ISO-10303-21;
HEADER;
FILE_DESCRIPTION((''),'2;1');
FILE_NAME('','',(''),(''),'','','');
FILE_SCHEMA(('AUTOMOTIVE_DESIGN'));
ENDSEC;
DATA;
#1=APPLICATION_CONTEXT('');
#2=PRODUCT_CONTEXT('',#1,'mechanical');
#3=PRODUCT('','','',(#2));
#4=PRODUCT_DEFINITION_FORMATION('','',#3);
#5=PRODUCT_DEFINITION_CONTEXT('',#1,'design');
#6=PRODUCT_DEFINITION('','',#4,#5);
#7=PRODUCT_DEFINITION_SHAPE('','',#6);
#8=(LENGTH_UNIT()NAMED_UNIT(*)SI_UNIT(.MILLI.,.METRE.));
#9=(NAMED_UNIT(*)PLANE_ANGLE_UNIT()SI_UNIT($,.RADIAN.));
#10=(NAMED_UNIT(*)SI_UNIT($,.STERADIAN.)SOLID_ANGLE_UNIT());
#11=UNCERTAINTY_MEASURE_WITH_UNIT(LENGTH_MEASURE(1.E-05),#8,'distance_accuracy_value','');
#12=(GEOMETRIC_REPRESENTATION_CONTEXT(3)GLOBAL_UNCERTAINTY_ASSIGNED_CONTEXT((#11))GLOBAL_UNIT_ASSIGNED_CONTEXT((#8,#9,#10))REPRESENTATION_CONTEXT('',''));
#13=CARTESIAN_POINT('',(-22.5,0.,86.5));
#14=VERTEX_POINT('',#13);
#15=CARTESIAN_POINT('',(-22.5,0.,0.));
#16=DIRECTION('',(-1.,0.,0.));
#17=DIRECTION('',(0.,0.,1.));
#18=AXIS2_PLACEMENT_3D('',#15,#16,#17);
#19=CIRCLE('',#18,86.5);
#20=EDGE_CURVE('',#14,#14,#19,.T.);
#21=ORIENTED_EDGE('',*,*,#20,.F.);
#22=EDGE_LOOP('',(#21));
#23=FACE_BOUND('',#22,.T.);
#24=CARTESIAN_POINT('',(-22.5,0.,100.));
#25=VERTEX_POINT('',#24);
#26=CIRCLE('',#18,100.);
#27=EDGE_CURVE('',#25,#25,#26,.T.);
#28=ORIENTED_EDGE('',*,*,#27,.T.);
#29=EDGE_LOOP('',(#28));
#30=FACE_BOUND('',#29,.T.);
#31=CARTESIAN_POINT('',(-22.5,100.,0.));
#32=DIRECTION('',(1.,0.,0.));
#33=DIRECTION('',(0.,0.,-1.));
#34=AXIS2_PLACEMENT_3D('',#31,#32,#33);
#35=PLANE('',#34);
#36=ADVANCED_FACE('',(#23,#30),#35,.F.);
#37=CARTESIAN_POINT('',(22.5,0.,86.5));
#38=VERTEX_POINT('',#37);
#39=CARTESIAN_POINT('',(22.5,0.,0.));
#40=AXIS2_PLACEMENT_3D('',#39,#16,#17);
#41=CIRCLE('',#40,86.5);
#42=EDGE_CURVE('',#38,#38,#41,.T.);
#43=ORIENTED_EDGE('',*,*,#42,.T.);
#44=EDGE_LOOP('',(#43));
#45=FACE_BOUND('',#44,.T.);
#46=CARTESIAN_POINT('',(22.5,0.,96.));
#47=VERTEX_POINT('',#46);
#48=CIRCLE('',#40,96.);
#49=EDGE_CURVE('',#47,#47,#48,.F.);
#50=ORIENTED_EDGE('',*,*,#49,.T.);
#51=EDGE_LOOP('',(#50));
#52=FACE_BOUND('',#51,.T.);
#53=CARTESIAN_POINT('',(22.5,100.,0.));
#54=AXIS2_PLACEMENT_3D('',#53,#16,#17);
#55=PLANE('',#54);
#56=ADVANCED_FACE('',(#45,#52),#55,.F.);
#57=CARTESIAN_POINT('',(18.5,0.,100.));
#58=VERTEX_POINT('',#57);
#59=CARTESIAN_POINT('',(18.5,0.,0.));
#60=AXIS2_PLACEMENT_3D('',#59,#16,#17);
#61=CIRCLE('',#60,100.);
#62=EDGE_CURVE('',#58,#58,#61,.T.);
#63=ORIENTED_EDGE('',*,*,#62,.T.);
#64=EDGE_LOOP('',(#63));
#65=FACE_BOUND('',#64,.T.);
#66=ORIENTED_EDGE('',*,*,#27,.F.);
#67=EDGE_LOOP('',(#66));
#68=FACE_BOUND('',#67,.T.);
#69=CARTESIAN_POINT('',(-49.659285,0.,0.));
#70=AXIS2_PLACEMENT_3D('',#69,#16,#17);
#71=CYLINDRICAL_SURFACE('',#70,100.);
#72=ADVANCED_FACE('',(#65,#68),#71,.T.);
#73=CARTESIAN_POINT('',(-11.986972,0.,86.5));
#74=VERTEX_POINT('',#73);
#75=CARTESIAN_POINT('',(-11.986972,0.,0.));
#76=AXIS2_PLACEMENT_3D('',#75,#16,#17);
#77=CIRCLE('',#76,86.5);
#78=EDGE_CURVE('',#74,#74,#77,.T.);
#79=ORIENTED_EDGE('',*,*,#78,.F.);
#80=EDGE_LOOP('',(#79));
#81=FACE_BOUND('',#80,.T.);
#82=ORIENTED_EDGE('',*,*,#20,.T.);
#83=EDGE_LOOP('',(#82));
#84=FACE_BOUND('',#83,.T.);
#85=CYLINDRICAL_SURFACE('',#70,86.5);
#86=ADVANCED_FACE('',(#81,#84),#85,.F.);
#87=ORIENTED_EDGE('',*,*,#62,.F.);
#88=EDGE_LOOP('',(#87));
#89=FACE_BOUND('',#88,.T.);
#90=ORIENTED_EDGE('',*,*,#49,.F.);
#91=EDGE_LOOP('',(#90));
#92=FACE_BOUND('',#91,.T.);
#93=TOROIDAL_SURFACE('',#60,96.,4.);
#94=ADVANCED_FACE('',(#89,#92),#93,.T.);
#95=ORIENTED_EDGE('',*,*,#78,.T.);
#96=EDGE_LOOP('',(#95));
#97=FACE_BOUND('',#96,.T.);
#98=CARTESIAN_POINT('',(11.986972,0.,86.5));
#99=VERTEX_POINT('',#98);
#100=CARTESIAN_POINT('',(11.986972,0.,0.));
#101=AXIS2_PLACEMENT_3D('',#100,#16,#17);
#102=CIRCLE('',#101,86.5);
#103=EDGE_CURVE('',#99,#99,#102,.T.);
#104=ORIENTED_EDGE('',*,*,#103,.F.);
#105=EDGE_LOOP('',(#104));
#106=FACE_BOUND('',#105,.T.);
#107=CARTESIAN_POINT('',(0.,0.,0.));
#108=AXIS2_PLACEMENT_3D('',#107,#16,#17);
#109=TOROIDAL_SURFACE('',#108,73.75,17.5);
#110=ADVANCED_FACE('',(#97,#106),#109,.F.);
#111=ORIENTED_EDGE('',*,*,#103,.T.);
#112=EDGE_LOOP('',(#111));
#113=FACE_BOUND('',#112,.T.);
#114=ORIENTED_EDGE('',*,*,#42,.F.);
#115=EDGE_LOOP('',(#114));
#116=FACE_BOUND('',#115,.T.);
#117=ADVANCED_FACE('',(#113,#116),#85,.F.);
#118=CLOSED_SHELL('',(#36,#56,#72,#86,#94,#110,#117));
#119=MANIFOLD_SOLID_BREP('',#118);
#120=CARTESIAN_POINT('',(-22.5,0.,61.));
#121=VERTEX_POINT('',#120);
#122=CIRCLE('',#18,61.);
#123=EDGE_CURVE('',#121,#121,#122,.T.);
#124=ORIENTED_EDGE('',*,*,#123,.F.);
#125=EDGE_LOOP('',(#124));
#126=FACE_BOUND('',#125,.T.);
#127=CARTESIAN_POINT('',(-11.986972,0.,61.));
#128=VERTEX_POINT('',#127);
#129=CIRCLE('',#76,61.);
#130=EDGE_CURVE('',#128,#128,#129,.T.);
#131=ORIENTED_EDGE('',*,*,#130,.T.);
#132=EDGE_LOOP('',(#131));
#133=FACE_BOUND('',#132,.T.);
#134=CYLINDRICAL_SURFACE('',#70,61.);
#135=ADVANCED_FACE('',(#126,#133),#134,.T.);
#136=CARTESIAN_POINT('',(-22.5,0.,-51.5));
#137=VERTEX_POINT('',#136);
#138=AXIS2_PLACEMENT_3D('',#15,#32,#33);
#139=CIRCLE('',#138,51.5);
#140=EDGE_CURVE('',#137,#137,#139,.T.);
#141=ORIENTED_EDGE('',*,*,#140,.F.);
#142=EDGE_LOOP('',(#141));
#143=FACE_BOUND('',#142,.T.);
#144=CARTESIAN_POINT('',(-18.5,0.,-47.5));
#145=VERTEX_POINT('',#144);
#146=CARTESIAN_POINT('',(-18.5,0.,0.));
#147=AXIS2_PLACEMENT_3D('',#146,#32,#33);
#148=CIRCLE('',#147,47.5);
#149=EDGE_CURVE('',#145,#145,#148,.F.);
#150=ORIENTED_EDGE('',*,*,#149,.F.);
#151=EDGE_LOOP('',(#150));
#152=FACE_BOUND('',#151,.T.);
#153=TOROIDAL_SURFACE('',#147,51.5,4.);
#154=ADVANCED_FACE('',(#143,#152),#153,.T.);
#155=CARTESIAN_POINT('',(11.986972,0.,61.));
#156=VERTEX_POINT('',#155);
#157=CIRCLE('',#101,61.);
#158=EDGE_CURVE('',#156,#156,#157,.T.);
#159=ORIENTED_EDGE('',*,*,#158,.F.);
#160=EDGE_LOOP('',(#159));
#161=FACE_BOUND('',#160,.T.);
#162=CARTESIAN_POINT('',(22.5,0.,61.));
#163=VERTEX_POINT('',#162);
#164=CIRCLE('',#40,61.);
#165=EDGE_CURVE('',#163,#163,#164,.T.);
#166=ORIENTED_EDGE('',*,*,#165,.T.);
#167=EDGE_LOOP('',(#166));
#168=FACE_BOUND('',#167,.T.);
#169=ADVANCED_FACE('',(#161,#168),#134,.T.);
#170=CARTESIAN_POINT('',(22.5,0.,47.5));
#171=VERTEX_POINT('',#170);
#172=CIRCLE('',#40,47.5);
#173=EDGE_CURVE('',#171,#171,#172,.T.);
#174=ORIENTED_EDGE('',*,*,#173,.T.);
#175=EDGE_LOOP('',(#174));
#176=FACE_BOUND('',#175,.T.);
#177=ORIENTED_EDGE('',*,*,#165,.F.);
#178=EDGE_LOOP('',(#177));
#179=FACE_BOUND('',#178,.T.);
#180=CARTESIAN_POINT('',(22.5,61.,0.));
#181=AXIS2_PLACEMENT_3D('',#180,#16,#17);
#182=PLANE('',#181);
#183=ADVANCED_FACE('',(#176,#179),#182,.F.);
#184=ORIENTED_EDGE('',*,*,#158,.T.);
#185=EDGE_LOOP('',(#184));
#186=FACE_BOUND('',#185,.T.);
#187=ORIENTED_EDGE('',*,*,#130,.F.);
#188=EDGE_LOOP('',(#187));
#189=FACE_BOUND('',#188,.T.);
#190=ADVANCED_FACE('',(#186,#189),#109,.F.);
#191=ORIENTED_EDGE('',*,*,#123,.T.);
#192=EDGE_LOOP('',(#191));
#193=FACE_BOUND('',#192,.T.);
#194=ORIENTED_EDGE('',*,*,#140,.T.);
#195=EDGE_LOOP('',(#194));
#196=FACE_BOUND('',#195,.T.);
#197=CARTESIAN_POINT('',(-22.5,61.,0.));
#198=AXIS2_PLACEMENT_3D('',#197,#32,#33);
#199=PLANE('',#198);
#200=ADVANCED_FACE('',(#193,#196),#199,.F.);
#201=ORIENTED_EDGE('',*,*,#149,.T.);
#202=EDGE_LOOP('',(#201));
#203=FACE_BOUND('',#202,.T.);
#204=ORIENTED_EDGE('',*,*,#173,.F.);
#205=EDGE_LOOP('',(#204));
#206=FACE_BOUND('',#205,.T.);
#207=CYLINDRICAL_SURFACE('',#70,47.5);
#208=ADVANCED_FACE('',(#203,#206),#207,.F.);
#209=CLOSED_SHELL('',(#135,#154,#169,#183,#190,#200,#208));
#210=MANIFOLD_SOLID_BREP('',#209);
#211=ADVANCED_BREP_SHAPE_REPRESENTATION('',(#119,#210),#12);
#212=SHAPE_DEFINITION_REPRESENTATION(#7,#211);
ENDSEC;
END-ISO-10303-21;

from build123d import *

# Parameters (mm, degrees)
FILLET_1_R = 4
FILLET_2_R = 4


with BuildPart() as part:
    # 草图1 → 旋转1 (revolve)
    with BuildSketch(Plane.XY, mode=Mode.PRIVATE) as revolve_1_sk:
        with BuildLine():
            Line((11.986972095, 86.5), (22.5, 86.5))
            Line((22.5, 86.5), (22.5, 100))
            Line((22.5, 100), (-22.5, 100))
            Line((-22.5, 100), (-22.5, 86.5))
            Line((-22.5, 86.5), (-11.986972095, 86.5))
            ThreePointArc((-11.986972095, 86.5), (0, 91.25), (11.986972095, 86.5))
        make_face()
        with BuildLine():
            Line((-22.5, 61), (-11.986972095, 61))
            ThreePointArc((-11.986972095, 61), (0, 56.25), (11.986972095, 61))
            Line((11.986972095, 61), (22.5, 61))
            Line((22.5, 61), (22.5, 47.5))
            Line((22.5, 47.5), (-22.5, 47.5))
            Line((-22.5, 47.5), (-22.5, 61))
        make_face()
    revolve(revolve_1_sk.sketch.rotate(Axis((-49.659284853, 0, 0), (1, 0, 0)), 90), axis=Axis((-49.659284853, 0, 0), (1, 0, 0)))

    # 圆角1
    fillet_1_edges = [part.edges().sort_by_distance(p)[0] for p in [
        (22.5, 0, -100),
    ]]
    fillet(fillet_1_edges, radius=FILLET_1_R)

    # 圆角2
    fillet_2_edges = [part.edges().sort_by_distance(p)[0] for p in [
        (-22.5, 0, -47.5),
    ]]
    fillet(fillet_2_edges, radius=FILLET_2_R)


solid = part.part
